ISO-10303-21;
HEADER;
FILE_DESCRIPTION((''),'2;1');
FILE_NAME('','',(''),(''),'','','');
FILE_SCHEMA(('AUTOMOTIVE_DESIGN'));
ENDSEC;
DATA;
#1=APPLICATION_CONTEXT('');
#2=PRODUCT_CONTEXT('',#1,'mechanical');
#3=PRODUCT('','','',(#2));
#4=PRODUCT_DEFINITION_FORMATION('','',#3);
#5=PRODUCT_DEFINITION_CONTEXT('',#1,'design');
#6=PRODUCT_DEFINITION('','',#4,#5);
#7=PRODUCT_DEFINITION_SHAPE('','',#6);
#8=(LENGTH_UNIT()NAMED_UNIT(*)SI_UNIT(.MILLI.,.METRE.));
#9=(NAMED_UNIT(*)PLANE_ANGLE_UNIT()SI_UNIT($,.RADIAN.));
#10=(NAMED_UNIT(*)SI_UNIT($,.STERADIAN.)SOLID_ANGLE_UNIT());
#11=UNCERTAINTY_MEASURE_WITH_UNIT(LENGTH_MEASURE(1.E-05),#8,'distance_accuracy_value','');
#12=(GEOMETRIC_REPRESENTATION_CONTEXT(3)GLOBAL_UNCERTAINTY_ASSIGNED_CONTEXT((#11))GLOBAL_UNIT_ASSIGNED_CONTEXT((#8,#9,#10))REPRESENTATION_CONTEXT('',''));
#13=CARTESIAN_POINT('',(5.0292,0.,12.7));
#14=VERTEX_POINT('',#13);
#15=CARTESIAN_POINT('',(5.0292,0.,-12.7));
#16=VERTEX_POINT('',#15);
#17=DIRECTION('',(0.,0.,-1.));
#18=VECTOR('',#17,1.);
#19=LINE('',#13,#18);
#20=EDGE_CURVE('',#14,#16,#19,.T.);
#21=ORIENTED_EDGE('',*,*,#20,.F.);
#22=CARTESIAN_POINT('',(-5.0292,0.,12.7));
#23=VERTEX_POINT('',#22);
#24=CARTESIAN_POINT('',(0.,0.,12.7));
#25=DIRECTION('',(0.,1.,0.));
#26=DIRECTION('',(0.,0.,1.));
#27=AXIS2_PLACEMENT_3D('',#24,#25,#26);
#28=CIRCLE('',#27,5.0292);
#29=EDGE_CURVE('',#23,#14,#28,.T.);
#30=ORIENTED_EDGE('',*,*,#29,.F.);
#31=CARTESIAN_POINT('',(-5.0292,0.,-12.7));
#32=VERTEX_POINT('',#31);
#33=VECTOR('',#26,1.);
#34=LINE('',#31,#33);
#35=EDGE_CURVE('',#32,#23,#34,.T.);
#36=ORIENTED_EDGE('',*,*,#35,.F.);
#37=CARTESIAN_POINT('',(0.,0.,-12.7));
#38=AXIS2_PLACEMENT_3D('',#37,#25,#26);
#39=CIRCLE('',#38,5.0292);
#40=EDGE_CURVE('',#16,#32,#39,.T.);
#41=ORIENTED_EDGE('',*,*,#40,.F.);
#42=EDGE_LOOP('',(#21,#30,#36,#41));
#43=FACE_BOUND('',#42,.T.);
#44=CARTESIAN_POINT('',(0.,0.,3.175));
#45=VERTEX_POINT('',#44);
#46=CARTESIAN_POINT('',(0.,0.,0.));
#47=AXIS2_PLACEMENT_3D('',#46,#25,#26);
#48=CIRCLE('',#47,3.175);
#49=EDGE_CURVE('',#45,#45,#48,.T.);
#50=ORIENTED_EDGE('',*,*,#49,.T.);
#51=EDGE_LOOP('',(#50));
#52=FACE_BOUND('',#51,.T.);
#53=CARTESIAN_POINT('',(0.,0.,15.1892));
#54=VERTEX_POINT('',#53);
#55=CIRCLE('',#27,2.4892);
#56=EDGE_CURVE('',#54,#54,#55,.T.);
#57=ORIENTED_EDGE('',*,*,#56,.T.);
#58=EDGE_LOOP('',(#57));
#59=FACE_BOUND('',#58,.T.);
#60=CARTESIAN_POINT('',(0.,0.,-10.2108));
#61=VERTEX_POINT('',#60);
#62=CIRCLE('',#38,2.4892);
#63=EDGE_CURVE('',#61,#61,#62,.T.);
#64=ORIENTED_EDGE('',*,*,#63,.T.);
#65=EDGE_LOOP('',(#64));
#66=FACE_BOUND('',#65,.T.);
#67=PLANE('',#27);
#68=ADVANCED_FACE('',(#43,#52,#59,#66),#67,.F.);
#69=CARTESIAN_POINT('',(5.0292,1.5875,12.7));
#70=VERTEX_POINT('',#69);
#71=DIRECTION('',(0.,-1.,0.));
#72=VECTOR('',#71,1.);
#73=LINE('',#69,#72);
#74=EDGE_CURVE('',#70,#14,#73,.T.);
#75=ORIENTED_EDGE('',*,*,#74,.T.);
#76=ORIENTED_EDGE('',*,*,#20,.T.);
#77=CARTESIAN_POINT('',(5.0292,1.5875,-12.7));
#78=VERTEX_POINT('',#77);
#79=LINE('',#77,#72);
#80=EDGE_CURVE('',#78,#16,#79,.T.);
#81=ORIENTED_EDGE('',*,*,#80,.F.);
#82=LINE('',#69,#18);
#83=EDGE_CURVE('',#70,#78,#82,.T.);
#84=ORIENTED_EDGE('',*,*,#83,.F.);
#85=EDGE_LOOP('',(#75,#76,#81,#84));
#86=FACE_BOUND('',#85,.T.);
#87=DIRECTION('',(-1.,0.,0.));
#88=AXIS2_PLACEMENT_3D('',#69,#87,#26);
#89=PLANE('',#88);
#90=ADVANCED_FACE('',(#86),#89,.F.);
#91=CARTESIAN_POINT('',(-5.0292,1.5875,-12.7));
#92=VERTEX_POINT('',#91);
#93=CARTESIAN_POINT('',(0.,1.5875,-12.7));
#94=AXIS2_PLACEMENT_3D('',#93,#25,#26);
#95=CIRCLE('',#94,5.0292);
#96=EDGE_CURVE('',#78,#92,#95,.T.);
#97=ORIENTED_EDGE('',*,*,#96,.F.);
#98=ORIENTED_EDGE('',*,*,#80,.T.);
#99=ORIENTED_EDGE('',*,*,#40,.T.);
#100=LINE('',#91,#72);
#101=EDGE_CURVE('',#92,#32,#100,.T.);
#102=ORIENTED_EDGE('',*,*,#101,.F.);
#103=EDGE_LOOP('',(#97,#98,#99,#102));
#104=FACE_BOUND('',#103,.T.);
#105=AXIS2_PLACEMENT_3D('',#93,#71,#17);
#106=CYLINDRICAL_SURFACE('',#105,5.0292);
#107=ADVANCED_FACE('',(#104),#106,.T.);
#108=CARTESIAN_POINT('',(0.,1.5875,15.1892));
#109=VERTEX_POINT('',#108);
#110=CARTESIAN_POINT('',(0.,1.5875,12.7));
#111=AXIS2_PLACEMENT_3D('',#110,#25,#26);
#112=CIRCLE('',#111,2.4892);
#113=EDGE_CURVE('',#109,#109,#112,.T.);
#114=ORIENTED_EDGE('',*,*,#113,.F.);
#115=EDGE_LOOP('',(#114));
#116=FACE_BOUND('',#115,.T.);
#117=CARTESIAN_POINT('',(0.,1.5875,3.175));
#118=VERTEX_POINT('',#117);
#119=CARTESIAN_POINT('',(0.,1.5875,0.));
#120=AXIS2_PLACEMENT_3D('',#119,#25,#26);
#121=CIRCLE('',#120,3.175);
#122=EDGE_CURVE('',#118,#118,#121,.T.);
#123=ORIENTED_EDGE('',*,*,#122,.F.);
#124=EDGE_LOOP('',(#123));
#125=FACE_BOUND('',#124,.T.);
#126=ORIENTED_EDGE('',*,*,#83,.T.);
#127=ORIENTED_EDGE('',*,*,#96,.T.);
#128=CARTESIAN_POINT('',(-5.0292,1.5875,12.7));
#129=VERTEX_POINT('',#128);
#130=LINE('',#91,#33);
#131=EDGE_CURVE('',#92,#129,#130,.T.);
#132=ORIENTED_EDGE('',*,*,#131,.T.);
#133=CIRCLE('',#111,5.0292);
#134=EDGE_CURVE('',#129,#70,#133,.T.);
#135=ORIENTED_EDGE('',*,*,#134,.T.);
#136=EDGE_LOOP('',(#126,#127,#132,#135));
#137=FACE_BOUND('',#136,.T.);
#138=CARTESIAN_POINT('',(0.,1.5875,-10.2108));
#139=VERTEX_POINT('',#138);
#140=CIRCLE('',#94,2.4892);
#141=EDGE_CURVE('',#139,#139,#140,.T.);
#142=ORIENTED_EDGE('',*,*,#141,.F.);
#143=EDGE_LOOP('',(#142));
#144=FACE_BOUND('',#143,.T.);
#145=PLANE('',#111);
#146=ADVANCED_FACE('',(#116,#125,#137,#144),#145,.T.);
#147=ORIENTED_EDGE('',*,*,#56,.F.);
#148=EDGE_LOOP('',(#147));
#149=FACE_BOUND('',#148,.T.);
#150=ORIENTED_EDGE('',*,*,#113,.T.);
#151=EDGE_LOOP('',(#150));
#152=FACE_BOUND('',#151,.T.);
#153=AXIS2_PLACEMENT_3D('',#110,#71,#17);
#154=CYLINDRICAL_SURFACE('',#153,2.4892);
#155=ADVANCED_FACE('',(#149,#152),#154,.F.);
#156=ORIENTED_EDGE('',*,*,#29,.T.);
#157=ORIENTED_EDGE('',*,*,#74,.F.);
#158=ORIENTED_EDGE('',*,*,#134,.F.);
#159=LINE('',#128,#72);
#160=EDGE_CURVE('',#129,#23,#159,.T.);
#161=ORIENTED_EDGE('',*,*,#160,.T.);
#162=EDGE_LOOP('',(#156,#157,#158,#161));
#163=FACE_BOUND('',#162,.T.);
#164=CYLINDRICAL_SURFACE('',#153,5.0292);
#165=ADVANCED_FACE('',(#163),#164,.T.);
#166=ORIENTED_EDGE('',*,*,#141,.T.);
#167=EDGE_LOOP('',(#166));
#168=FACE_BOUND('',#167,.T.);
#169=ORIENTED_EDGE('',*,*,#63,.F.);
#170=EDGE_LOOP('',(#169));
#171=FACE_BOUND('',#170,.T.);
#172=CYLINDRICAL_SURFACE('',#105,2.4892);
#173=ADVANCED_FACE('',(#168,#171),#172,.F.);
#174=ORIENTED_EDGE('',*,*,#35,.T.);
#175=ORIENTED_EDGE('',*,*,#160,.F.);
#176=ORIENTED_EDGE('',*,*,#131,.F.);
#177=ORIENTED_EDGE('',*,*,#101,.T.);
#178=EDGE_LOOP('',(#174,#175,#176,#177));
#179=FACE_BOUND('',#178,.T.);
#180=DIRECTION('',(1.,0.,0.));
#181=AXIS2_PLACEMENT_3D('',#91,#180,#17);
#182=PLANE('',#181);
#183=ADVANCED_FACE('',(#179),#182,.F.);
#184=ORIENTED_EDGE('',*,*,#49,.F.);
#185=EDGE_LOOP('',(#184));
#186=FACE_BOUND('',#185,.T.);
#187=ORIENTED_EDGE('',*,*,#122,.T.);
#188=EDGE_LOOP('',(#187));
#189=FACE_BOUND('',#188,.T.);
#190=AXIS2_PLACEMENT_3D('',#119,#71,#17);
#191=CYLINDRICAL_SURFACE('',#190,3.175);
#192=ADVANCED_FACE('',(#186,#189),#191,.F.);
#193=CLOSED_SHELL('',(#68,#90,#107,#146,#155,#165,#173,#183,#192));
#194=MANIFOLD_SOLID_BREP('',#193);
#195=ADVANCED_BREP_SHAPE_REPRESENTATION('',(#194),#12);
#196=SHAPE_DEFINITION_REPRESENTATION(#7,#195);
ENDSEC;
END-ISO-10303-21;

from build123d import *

# Parameters (mm, degrees)
SKETCH1_R           = 3.175
SKETCH1_R_2         = 2.4892
BOSS_EXTRUDE1_DEPTH = 1.5875


with BuildPart() as part:
    # Sketch1 → Boss-Extrude1 (new body)
    with BuildSketch(Plane(origin=(0, 0, 0), x_dir=(1, 0, 0), z_dir=(0, 1, 0))):
        with BuildLine():
            Line((5.0292, -12.7), (5.0292, 12.7))
            ThreePointArc((5.0292, 12.7), (0, 17.7292), (-5.0292, 12.7))
            Line((-5.0292, 12.7), (-5.0292, -12.7))
            ThreePointArc((-5.0292, -12.7), (0, -17.7292), (5.0292, -12.7))
        make_face()
        with Locations(Location((0, 0, 0), (0, 0, 270))):
            Circle(SKETCH1_R, mode=Mode.SUBTRACT)
        with Locations(Location((0, 12.7, 0), (0, 0, 270))):
            Circle(SKETCH1_R_2, mode=Mode.SUBTRACT)
        with Locations(Location((0, -12.7, 0), (0, 0, 270))):
            Circle(SKETCH1_R_2, mode=Mode.SUBTRACT)
    extrude(amount=BOSS_EXTRUDE1_DEPTH)


solid = part.part
